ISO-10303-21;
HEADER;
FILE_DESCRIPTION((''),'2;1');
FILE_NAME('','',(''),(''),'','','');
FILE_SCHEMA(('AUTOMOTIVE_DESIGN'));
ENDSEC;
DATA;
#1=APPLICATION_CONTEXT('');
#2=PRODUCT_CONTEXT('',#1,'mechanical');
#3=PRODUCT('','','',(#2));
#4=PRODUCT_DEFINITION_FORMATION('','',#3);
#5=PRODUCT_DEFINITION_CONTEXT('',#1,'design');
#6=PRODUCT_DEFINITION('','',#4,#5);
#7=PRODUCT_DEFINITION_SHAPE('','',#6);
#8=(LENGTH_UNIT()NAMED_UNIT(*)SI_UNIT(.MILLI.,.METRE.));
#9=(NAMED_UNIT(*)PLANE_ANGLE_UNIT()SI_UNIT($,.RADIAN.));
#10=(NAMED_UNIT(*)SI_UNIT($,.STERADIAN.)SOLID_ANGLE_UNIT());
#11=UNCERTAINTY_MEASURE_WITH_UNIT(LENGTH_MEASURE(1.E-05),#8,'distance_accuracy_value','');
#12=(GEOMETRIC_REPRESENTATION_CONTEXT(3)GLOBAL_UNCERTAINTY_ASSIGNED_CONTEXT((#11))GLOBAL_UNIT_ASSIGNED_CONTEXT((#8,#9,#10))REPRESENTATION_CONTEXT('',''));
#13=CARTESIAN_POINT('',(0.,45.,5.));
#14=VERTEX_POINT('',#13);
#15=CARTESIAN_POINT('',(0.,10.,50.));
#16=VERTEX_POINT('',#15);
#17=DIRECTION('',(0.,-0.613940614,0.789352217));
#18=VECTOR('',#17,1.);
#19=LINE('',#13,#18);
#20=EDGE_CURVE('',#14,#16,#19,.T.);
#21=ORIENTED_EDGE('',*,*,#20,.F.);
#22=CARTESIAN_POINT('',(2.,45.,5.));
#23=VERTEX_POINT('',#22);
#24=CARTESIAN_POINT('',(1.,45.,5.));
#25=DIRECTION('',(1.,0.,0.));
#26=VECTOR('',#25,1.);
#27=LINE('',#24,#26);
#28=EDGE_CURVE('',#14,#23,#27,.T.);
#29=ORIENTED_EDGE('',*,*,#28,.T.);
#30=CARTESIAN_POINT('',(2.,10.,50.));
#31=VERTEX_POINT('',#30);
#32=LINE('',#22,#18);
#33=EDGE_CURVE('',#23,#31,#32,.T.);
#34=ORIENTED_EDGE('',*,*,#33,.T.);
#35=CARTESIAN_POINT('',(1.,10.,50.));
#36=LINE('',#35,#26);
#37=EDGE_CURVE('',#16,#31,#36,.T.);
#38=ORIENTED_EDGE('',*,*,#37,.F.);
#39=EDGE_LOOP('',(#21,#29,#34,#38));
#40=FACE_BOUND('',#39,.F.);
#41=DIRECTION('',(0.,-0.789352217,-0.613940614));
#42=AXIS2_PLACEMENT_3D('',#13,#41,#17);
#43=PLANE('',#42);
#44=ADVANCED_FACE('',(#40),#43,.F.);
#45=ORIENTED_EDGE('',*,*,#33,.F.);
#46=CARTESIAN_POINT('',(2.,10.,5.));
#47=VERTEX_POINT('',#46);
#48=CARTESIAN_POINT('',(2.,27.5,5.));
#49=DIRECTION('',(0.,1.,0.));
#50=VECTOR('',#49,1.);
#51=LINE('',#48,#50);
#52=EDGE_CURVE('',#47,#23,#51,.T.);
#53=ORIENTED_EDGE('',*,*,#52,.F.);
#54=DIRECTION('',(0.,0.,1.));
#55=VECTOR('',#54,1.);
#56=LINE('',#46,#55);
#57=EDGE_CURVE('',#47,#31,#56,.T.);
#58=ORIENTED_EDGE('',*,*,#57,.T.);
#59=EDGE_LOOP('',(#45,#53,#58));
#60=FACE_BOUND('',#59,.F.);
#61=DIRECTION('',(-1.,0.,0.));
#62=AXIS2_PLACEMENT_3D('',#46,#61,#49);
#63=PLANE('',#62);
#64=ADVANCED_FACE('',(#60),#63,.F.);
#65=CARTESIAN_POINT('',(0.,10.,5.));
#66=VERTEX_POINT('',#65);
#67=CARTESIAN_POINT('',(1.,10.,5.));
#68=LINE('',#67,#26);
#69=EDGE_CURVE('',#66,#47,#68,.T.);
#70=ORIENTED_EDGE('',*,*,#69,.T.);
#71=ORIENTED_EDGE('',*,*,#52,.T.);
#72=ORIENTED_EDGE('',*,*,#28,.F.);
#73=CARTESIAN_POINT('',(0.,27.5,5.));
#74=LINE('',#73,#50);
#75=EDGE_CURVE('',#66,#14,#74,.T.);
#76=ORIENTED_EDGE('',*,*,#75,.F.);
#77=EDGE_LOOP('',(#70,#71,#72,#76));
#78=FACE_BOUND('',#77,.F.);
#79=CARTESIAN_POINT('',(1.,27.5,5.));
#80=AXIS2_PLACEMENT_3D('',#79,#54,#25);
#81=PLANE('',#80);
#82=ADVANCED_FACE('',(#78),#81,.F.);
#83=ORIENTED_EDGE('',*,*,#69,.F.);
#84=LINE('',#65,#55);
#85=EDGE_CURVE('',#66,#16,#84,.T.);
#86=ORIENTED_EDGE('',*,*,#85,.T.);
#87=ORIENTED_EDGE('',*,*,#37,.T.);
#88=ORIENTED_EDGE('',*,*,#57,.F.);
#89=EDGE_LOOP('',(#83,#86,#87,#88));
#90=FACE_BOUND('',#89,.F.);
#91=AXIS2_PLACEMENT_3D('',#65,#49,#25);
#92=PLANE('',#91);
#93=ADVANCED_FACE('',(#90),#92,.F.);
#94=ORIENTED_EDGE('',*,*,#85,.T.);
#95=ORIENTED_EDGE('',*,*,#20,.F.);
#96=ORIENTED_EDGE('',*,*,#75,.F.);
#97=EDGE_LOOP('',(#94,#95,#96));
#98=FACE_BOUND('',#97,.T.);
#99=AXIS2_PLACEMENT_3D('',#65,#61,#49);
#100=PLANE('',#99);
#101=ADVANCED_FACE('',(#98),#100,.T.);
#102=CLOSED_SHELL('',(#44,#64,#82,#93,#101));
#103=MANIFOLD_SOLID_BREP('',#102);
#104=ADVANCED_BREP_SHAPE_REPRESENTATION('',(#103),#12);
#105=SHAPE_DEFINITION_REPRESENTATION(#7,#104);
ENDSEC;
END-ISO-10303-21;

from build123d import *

# Parameters (mm, degrees)
EXTRUDE002_DEPTH = 2
SKETCH003_W      = 2
SKETCH003_H      = 35
EXTRUDE001_DEPTH = 45


with BuildPart() as extrude002:
    # Sketch004 (on Face1 of CopyExtrude001) → Extrude002 (new body)
    with BuildSketch(Plane(origin=(0, 0, 0), x_dir=(0, -1, 0), z_dir=(-1, 0, 0))):
        Polygon((-45, 5), (-10, 50), (-45, 50), align=None)
    extrude(amount=-EXTRUDE002_DEPTH)


with BuildPart() as cut001:
    # Sketch003 (on Face1 of CopyCut) → Extrude001 (new body)
    with BuildSketch(Plane.XY.offset(5)):
        with Locations((1, 27.5)):
            Rectangle(SKETCH003_W, SKETCH003_H)
    extrude(amount=EXTRUDE001_DEPTH)

    # Cut001: cut Extrude002
    add(extrude002.part, mode=Mode.SUBTRACT)


solid = cut001.part
